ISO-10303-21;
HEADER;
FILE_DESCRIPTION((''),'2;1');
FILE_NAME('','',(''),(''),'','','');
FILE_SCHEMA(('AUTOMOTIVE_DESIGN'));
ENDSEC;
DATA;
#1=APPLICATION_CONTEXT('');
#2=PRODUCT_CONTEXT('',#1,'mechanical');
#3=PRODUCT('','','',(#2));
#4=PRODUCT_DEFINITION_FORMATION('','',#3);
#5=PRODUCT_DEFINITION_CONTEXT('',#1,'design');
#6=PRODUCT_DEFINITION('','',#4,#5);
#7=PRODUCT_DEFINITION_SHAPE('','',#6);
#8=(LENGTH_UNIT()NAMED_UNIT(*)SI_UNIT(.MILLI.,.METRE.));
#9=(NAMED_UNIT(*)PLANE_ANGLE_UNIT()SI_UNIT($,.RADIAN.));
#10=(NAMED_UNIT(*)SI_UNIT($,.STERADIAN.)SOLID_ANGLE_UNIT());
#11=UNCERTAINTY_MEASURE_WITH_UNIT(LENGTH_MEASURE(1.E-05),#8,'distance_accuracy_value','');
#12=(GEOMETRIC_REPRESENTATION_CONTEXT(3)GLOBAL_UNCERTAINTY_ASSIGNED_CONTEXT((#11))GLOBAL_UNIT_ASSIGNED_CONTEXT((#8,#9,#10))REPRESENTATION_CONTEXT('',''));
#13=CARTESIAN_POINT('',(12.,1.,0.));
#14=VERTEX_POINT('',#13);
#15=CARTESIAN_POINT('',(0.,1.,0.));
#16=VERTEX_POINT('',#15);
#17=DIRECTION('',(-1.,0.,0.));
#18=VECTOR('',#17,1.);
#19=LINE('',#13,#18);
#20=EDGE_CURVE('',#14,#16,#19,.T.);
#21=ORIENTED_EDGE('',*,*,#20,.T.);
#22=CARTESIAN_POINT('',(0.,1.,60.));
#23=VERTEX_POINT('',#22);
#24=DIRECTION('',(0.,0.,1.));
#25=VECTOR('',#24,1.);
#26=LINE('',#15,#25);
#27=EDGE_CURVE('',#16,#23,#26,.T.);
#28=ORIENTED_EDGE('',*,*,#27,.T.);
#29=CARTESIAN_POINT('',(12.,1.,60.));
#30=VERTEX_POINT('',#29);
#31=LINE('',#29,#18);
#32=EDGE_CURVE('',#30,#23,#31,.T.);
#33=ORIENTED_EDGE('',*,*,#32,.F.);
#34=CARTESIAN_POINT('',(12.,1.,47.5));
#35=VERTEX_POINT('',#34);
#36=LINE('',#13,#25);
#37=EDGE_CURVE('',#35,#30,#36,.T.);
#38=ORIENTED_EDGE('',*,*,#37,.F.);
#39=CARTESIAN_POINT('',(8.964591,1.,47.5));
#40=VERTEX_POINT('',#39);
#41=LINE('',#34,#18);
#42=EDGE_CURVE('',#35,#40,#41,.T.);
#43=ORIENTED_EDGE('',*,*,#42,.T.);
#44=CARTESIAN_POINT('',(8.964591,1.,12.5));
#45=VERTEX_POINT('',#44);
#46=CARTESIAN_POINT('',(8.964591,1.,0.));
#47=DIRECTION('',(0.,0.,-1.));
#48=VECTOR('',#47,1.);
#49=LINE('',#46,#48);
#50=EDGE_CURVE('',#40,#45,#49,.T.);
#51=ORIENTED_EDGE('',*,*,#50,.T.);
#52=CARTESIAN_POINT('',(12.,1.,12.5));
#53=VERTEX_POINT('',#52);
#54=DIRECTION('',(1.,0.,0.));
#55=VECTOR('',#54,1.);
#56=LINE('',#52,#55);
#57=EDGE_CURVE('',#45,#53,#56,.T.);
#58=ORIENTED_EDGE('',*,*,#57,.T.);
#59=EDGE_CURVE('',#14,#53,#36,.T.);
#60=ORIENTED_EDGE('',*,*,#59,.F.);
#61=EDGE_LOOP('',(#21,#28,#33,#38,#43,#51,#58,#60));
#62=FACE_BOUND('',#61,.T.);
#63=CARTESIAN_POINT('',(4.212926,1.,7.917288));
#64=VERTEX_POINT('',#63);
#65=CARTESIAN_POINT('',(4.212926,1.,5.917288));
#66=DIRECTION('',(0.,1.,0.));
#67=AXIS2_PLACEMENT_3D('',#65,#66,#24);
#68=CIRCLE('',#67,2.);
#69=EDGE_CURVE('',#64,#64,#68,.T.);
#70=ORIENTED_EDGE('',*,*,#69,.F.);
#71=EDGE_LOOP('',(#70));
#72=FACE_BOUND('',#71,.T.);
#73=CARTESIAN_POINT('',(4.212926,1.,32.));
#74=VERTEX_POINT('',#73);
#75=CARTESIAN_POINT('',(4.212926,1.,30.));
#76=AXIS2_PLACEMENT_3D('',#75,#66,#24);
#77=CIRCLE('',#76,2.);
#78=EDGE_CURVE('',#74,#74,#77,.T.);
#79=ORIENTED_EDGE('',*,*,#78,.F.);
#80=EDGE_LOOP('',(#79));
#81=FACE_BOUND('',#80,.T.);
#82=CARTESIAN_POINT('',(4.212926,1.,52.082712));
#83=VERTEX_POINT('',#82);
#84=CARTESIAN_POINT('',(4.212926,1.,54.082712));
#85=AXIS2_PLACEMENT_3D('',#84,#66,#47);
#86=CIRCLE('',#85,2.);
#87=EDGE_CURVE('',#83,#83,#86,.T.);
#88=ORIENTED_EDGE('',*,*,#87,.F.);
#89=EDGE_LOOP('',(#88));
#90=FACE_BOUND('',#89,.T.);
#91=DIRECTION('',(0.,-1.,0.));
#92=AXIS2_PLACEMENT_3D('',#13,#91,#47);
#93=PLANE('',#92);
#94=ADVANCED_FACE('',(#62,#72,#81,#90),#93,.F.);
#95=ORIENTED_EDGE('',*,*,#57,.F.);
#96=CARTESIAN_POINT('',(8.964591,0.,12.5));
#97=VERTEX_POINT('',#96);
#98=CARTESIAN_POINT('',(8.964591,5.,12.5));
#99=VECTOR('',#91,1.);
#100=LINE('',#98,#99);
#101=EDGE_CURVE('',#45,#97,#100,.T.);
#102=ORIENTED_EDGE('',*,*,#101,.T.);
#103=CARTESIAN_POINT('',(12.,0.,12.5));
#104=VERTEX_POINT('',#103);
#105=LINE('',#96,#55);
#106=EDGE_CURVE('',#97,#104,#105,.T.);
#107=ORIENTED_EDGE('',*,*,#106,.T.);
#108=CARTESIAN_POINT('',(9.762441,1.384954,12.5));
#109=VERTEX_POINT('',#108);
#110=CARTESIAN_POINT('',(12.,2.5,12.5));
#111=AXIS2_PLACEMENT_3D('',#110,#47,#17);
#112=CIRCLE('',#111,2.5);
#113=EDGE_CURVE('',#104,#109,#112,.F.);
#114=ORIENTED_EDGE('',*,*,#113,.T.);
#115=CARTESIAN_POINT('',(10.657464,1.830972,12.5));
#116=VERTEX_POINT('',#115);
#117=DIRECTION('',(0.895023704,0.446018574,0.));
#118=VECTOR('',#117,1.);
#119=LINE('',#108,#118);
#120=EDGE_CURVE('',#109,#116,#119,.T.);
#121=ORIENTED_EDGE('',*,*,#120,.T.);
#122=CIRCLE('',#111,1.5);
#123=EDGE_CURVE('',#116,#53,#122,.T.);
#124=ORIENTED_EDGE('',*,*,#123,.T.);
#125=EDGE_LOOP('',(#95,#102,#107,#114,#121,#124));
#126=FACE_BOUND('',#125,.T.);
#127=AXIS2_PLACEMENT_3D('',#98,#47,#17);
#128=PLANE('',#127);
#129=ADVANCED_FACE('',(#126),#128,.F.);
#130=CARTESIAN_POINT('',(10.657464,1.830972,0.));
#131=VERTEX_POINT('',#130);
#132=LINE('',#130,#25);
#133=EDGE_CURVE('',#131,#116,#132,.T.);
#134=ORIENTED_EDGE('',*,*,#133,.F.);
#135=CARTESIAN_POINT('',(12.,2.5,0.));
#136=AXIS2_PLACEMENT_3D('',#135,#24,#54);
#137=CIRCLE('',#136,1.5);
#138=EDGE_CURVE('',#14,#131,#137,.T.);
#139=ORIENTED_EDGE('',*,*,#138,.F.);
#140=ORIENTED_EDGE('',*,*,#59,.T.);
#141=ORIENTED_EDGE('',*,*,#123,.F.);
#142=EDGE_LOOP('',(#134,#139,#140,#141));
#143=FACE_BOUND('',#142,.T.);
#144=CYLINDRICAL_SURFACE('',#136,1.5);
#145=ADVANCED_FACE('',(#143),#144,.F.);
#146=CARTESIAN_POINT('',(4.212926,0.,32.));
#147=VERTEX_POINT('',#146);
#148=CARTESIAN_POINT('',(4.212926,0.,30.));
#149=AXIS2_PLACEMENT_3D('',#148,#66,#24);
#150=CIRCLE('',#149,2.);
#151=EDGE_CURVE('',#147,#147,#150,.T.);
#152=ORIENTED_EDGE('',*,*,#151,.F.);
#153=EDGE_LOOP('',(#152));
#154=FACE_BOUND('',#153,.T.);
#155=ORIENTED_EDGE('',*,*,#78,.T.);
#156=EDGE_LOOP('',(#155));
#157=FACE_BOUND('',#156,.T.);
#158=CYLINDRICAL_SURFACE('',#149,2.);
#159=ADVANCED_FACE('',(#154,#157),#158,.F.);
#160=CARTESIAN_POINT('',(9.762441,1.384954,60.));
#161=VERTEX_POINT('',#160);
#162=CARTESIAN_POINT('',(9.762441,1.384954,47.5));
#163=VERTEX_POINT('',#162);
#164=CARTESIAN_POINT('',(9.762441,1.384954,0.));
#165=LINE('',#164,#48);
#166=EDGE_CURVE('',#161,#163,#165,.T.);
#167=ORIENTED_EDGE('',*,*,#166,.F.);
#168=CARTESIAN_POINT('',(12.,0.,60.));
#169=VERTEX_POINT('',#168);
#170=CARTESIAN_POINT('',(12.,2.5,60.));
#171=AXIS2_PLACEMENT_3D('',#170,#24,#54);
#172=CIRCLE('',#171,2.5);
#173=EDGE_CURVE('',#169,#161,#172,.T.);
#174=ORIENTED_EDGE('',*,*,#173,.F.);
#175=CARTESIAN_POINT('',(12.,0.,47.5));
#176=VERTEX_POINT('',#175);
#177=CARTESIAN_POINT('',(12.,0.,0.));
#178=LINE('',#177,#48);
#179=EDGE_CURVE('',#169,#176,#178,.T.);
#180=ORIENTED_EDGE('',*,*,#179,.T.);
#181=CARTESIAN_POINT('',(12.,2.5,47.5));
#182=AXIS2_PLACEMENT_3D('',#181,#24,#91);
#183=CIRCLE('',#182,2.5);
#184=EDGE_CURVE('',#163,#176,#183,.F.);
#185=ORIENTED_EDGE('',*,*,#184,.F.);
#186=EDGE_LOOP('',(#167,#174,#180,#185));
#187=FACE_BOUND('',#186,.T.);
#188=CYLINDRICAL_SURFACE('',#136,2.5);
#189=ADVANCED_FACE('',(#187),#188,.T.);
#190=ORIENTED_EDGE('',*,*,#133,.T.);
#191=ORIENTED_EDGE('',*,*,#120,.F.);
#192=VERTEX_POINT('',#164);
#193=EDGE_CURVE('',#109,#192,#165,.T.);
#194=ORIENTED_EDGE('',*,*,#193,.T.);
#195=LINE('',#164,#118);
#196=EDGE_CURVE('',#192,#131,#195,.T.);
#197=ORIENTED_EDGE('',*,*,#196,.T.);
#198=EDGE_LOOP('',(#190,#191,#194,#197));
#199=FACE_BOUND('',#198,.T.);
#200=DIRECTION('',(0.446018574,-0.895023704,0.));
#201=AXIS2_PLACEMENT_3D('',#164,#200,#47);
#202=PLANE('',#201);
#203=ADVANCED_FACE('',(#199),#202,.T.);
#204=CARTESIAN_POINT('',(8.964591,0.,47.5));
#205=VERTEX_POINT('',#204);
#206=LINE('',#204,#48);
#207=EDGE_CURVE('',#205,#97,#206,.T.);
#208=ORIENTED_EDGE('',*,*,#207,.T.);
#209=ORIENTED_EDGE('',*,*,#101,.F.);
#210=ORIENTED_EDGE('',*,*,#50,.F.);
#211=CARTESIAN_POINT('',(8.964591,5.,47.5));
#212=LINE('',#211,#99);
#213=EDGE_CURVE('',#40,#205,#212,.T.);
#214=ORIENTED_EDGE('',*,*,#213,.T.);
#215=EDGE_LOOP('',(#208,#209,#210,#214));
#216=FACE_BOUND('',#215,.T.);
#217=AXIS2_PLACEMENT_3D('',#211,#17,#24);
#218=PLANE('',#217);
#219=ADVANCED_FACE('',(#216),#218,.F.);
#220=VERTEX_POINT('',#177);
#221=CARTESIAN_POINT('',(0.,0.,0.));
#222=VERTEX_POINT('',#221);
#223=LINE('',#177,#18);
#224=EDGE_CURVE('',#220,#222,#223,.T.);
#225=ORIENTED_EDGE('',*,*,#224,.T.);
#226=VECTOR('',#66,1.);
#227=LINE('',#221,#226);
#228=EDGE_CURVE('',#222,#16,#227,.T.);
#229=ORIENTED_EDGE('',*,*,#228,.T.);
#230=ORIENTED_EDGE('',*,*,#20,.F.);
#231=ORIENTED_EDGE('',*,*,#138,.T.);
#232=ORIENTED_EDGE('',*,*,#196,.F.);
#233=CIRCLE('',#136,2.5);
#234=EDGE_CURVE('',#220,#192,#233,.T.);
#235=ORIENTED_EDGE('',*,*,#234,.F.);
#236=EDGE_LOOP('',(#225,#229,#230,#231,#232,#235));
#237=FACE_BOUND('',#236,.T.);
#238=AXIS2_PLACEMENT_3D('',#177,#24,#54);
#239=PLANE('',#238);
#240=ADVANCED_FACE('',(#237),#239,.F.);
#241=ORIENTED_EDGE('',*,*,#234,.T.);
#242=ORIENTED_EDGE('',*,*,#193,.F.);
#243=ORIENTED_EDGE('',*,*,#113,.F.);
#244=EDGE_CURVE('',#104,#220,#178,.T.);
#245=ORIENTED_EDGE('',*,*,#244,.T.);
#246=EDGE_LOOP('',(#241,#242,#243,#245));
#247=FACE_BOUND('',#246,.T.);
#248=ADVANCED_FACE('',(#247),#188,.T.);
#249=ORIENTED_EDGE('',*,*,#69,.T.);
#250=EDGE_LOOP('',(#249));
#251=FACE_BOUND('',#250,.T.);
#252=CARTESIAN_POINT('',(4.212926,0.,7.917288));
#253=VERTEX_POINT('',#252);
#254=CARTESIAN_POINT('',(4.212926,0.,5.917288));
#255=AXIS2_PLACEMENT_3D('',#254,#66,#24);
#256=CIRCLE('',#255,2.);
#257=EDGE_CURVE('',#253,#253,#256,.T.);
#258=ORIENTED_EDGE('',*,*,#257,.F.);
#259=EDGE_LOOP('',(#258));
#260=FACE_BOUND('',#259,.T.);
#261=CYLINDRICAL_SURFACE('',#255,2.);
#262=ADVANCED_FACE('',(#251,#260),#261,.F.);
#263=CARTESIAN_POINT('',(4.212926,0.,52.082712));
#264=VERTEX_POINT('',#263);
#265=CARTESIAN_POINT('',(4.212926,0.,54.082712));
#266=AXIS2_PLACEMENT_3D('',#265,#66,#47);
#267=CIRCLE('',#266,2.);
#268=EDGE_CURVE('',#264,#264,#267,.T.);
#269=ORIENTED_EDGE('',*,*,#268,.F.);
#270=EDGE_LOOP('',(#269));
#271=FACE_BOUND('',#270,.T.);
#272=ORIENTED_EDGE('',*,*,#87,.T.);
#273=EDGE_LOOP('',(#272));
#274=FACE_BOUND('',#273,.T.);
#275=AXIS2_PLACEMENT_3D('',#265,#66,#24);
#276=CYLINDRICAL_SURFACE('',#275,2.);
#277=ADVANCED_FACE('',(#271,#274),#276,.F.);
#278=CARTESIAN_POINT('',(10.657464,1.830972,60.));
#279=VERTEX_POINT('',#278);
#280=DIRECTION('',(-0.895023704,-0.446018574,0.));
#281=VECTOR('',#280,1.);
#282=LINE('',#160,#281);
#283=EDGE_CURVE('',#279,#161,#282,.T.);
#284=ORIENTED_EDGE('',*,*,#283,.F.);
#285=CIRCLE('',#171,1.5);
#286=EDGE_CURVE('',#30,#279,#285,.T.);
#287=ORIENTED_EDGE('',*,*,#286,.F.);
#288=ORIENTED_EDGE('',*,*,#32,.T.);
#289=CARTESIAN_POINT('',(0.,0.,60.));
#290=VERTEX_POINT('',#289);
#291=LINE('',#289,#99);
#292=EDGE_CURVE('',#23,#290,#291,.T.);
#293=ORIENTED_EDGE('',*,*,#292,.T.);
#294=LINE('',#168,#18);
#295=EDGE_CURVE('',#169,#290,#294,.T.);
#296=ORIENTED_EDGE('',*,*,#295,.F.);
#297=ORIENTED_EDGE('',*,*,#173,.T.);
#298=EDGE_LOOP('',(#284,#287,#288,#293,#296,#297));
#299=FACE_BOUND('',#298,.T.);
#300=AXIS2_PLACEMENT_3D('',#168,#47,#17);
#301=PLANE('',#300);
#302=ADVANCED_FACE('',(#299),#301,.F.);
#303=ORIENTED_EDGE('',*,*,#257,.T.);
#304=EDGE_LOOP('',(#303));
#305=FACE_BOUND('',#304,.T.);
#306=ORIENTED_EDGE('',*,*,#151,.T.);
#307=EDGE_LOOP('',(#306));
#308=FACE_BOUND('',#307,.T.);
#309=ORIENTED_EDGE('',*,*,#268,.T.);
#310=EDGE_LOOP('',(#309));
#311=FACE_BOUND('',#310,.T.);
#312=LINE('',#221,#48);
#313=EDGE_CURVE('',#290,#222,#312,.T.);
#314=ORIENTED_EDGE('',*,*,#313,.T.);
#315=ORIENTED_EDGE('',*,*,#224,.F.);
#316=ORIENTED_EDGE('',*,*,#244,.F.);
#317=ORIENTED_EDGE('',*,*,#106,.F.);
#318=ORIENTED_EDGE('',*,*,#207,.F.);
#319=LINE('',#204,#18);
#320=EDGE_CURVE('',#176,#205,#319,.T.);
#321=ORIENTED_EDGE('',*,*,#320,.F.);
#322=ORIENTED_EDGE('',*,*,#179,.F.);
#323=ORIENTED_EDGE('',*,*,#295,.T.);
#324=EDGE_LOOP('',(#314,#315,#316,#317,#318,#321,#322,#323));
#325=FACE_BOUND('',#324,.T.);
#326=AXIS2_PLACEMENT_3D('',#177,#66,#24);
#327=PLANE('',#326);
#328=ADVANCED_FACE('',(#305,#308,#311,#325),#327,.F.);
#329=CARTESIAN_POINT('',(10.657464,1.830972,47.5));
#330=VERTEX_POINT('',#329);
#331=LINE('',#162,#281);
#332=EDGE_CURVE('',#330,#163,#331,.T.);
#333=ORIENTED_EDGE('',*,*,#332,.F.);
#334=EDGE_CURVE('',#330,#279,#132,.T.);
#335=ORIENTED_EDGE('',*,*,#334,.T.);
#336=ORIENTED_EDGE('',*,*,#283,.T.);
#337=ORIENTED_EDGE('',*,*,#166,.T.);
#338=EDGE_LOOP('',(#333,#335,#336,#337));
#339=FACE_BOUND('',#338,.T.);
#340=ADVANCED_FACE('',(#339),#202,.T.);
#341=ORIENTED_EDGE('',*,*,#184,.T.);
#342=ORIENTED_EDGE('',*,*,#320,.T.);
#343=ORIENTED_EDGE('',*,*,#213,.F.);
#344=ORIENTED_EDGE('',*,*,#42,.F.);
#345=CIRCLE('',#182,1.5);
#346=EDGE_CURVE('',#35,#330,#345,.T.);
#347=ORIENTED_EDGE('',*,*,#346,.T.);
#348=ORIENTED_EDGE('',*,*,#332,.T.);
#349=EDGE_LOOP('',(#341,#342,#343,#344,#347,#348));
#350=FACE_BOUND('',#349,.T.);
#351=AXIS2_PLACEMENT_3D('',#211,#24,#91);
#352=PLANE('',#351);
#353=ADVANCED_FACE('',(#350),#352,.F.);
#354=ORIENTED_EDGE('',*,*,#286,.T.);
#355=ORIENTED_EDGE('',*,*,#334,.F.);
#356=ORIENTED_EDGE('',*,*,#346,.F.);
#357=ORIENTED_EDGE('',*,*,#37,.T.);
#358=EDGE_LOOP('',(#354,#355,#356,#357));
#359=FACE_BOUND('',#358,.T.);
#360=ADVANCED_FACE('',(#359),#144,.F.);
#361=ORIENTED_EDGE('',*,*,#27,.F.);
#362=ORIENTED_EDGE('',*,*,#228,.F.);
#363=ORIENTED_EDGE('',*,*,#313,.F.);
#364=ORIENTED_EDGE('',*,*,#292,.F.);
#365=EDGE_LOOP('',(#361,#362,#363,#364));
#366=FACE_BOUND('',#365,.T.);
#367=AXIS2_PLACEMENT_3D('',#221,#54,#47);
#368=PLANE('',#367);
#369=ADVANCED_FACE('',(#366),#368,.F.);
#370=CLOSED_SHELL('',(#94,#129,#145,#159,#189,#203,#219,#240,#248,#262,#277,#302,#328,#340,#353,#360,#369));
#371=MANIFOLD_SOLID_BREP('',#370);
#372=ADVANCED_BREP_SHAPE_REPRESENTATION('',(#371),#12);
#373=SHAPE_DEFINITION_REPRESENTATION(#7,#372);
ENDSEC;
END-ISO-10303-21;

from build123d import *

# Parameters (mm, degrees)
SKETCH3_W          = 60
SKETCH3_H          = 1
SKETCH4_W          = 6.07081849
SKETCH4_H          = 35
CUT_EXTRUDE1_DEPTH = 62.929395282
SKETCH5_R          = 2
CUT_EXTRUDE2_DEPTH = 62.85668921


with BuildPart() as part:
    # Sweep1: sweep along a path in Sketch1
    with BuildLine(Plane.XY) as sweep1_path:
        Line((0, 0), (12, 0))
        ThreePointArc((12, 0), (13.315747679, 4.62574882), (9.762440739, 1.384953564))
    # Sketch3 → Sweep1 (sweep)
    with BuildSketch(Plane(origin=(0, 0, 0), x_dir=(0, 0, -1), z_dir=(1, 0, 0))):
        with Locations((-30, 0.5)):
            Rectangle(SKETCH3_W, SKETCH3_H)
    sweep(path=sweep1_path.line)

    # Sketch4 → Cut-Extrude1 (cut, through all)
    with BuildSketch(Plane(origin=(0, 0, 0), x_dir=(-1, 0, 0), z_dir=(0, -1, 0))):
        with Locations((-12, -30)):
            Rectangle(SKETCH4_W, SKETCH4_H)
    extrude(amount=-CUT_EXTRUDE1_DEPTH, mode=Mode.SUBTRACT)

    # Sketch5 → Cut-Extrude2 (cut, through all)
    with BuildSketch(Plane(origin=(0, 1, 0), x_dir=(1, 0, 0), z_dir=(0, 1, 0))):
        with Locations(Location((4.212926144, -5.917287591, 0), (0, 0, 270))):
            Circle(SKETCH5_R)
        with Locations(Location((4.212926144, -54.082712409, 0), (0, 0, 90))):
            Circle(SKETCH5_R)
        with Locations(Location((4.212926144, -30, 0), (0, 0, 270))):
            Circle(SKETCH5_R)
    extrude(amount=-CUT_EXTRUDE2_DEPTH, mode=Mode.SUBTRACT)


solid = part.part
